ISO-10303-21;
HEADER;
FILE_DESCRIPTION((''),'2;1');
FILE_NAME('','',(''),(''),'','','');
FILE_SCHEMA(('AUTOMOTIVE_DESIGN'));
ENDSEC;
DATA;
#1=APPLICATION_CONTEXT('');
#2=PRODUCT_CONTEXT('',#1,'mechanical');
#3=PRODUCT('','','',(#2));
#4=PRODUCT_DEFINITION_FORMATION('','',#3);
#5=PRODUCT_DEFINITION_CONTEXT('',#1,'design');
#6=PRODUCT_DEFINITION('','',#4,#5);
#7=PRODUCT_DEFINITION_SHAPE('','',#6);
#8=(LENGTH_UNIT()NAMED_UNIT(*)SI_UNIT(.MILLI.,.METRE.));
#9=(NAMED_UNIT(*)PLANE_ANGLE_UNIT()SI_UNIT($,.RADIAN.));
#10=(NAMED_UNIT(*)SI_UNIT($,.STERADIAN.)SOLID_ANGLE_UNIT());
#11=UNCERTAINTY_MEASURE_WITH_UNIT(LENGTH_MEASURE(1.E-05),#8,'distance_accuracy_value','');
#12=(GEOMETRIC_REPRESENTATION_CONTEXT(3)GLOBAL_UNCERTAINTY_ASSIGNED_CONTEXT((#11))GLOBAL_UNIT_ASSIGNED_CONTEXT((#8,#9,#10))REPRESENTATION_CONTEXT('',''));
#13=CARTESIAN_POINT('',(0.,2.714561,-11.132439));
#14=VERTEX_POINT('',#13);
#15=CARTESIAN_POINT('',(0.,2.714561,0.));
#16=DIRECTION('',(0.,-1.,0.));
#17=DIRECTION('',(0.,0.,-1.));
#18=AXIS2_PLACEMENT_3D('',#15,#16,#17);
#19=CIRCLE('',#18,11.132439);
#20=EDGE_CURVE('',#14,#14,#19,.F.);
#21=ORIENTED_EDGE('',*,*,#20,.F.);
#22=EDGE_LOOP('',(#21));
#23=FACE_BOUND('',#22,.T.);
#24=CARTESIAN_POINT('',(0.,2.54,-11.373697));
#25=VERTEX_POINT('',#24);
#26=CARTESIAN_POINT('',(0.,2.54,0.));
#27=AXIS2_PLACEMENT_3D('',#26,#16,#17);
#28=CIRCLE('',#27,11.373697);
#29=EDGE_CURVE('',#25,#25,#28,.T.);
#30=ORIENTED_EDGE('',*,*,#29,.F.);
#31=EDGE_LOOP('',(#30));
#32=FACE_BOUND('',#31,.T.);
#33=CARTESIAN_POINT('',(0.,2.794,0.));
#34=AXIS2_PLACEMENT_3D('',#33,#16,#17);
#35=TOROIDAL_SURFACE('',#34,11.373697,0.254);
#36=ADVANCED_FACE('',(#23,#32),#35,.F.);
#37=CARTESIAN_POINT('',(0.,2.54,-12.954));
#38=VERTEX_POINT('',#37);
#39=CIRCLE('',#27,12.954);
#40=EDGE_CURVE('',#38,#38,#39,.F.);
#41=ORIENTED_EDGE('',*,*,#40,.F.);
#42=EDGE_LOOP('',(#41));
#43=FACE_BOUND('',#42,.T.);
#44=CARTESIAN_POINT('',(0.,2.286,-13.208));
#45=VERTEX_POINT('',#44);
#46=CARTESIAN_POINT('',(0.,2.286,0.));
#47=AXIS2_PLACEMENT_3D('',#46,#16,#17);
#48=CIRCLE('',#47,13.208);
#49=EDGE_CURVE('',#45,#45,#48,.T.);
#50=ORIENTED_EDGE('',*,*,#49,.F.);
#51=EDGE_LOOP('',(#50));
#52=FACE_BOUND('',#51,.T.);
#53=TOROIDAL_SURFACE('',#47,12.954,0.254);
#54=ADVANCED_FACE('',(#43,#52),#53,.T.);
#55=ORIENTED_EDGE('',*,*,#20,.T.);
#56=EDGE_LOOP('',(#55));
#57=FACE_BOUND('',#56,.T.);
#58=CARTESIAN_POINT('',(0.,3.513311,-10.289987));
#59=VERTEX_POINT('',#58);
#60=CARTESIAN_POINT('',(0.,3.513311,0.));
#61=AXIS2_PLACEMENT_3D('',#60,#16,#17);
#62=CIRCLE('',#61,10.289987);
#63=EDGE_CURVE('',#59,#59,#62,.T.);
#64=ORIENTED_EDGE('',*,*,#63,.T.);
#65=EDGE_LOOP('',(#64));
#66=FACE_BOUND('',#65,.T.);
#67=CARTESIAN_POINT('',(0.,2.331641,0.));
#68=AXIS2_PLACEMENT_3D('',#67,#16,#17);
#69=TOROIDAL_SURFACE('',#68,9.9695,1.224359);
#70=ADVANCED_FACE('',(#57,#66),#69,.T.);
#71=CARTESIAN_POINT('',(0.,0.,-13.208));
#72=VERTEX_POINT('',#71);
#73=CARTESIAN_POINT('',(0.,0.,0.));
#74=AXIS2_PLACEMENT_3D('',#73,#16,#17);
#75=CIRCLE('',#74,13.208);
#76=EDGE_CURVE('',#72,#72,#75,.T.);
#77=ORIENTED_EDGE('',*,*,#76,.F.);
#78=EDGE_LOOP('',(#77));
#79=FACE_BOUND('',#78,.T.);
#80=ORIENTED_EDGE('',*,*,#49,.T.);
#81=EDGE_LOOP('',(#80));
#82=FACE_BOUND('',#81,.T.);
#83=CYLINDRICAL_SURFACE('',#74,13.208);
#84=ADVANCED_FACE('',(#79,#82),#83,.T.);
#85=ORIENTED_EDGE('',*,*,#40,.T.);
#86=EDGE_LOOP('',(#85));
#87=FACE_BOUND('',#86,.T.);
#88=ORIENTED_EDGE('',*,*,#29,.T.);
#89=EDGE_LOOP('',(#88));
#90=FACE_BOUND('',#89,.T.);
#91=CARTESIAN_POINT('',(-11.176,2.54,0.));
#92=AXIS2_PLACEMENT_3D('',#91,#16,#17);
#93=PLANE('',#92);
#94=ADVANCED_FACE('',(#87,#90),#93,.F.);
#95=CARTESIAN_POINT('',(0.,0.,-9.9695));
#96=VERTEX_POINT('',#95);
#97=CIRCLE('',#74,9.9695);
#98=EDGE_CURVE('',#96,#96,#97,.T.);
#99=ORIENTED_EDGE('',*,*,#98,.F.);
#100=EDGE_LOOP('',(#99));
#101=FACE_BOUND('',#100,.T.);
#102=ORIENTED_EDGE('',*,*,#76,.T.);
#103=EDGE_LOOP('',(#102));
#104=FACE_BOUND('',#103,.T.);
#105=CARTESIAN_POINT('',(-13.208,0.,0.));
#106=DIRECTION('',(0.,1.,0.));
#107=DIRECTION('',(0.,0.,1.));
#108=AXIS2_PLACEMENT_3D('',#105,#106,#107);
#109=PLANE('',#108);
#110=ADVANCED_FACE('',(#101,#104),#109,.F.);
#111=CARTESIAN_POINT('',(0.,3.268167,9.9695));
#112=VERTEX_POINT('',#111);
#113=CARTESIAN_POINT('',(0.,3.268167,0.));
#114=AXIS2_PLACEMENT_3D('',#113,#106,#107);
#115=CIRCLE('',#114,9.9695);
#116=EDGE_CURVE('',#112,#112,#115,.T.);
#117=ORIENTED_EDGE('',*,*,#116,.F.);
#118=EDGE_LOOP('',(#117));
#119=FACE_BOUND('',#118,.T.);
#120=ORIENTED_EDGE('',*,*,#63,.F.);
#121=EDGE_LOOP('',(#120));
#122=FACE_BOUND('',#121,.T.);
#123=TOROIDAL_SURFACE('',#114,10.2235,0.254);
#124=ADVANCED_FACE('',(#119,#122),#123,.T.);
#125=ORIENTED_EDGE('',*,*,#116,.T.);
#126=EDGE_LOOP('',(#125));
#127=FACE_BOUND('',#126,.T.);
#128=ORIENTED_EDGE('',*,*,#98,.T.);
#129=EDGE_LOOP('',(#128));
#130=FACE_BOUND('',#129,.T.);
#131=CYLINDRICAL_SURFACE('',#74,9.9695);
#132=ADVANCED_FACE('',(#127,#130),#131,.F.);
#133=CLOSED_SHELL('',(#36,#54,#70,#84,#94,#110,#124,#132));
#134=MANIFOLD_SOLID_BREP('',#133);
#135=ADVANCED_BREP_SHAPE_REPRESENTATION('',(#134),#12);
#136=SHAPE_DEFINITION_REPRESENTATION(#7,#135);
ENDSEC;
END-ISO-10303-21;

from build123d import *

# Parameters (mm, degrees)
FILLET1_R = 0.254


with BuildPart() as part:
    # Sketch1 → Revolve1 (revolve)
    with BuildSketch(Plane.XY):
        with BuildLine():
            Line((-9.9695, 0), (-9.9695, 3.556))
            ThreePointArc((-9.9695, 3.556), (-10.758153639, 3.268166821), (-11.176, 2.54))
            Line((-11.176, 2.54), (-13.208, 2.54))
            Line((-13.208, 2.54), (-13.208, 0))
            Line((-13.208, 0), (-9.9695, 0))
        make_face()
    revolve(axis=Axis((0, 0, 0), (0, 1, 0)))

    # Fillet1
    fillet1_edges = [part.edges().sort_by_distance(p)[0] for p in [
        (13.208, 2.54, 0),
        (11.176, 2.54, 0),
        (9.9695, 3.556, 0),
    ]]
    fillet(fillet1_edges, radius=FILLET1_R)


solid = part.part
